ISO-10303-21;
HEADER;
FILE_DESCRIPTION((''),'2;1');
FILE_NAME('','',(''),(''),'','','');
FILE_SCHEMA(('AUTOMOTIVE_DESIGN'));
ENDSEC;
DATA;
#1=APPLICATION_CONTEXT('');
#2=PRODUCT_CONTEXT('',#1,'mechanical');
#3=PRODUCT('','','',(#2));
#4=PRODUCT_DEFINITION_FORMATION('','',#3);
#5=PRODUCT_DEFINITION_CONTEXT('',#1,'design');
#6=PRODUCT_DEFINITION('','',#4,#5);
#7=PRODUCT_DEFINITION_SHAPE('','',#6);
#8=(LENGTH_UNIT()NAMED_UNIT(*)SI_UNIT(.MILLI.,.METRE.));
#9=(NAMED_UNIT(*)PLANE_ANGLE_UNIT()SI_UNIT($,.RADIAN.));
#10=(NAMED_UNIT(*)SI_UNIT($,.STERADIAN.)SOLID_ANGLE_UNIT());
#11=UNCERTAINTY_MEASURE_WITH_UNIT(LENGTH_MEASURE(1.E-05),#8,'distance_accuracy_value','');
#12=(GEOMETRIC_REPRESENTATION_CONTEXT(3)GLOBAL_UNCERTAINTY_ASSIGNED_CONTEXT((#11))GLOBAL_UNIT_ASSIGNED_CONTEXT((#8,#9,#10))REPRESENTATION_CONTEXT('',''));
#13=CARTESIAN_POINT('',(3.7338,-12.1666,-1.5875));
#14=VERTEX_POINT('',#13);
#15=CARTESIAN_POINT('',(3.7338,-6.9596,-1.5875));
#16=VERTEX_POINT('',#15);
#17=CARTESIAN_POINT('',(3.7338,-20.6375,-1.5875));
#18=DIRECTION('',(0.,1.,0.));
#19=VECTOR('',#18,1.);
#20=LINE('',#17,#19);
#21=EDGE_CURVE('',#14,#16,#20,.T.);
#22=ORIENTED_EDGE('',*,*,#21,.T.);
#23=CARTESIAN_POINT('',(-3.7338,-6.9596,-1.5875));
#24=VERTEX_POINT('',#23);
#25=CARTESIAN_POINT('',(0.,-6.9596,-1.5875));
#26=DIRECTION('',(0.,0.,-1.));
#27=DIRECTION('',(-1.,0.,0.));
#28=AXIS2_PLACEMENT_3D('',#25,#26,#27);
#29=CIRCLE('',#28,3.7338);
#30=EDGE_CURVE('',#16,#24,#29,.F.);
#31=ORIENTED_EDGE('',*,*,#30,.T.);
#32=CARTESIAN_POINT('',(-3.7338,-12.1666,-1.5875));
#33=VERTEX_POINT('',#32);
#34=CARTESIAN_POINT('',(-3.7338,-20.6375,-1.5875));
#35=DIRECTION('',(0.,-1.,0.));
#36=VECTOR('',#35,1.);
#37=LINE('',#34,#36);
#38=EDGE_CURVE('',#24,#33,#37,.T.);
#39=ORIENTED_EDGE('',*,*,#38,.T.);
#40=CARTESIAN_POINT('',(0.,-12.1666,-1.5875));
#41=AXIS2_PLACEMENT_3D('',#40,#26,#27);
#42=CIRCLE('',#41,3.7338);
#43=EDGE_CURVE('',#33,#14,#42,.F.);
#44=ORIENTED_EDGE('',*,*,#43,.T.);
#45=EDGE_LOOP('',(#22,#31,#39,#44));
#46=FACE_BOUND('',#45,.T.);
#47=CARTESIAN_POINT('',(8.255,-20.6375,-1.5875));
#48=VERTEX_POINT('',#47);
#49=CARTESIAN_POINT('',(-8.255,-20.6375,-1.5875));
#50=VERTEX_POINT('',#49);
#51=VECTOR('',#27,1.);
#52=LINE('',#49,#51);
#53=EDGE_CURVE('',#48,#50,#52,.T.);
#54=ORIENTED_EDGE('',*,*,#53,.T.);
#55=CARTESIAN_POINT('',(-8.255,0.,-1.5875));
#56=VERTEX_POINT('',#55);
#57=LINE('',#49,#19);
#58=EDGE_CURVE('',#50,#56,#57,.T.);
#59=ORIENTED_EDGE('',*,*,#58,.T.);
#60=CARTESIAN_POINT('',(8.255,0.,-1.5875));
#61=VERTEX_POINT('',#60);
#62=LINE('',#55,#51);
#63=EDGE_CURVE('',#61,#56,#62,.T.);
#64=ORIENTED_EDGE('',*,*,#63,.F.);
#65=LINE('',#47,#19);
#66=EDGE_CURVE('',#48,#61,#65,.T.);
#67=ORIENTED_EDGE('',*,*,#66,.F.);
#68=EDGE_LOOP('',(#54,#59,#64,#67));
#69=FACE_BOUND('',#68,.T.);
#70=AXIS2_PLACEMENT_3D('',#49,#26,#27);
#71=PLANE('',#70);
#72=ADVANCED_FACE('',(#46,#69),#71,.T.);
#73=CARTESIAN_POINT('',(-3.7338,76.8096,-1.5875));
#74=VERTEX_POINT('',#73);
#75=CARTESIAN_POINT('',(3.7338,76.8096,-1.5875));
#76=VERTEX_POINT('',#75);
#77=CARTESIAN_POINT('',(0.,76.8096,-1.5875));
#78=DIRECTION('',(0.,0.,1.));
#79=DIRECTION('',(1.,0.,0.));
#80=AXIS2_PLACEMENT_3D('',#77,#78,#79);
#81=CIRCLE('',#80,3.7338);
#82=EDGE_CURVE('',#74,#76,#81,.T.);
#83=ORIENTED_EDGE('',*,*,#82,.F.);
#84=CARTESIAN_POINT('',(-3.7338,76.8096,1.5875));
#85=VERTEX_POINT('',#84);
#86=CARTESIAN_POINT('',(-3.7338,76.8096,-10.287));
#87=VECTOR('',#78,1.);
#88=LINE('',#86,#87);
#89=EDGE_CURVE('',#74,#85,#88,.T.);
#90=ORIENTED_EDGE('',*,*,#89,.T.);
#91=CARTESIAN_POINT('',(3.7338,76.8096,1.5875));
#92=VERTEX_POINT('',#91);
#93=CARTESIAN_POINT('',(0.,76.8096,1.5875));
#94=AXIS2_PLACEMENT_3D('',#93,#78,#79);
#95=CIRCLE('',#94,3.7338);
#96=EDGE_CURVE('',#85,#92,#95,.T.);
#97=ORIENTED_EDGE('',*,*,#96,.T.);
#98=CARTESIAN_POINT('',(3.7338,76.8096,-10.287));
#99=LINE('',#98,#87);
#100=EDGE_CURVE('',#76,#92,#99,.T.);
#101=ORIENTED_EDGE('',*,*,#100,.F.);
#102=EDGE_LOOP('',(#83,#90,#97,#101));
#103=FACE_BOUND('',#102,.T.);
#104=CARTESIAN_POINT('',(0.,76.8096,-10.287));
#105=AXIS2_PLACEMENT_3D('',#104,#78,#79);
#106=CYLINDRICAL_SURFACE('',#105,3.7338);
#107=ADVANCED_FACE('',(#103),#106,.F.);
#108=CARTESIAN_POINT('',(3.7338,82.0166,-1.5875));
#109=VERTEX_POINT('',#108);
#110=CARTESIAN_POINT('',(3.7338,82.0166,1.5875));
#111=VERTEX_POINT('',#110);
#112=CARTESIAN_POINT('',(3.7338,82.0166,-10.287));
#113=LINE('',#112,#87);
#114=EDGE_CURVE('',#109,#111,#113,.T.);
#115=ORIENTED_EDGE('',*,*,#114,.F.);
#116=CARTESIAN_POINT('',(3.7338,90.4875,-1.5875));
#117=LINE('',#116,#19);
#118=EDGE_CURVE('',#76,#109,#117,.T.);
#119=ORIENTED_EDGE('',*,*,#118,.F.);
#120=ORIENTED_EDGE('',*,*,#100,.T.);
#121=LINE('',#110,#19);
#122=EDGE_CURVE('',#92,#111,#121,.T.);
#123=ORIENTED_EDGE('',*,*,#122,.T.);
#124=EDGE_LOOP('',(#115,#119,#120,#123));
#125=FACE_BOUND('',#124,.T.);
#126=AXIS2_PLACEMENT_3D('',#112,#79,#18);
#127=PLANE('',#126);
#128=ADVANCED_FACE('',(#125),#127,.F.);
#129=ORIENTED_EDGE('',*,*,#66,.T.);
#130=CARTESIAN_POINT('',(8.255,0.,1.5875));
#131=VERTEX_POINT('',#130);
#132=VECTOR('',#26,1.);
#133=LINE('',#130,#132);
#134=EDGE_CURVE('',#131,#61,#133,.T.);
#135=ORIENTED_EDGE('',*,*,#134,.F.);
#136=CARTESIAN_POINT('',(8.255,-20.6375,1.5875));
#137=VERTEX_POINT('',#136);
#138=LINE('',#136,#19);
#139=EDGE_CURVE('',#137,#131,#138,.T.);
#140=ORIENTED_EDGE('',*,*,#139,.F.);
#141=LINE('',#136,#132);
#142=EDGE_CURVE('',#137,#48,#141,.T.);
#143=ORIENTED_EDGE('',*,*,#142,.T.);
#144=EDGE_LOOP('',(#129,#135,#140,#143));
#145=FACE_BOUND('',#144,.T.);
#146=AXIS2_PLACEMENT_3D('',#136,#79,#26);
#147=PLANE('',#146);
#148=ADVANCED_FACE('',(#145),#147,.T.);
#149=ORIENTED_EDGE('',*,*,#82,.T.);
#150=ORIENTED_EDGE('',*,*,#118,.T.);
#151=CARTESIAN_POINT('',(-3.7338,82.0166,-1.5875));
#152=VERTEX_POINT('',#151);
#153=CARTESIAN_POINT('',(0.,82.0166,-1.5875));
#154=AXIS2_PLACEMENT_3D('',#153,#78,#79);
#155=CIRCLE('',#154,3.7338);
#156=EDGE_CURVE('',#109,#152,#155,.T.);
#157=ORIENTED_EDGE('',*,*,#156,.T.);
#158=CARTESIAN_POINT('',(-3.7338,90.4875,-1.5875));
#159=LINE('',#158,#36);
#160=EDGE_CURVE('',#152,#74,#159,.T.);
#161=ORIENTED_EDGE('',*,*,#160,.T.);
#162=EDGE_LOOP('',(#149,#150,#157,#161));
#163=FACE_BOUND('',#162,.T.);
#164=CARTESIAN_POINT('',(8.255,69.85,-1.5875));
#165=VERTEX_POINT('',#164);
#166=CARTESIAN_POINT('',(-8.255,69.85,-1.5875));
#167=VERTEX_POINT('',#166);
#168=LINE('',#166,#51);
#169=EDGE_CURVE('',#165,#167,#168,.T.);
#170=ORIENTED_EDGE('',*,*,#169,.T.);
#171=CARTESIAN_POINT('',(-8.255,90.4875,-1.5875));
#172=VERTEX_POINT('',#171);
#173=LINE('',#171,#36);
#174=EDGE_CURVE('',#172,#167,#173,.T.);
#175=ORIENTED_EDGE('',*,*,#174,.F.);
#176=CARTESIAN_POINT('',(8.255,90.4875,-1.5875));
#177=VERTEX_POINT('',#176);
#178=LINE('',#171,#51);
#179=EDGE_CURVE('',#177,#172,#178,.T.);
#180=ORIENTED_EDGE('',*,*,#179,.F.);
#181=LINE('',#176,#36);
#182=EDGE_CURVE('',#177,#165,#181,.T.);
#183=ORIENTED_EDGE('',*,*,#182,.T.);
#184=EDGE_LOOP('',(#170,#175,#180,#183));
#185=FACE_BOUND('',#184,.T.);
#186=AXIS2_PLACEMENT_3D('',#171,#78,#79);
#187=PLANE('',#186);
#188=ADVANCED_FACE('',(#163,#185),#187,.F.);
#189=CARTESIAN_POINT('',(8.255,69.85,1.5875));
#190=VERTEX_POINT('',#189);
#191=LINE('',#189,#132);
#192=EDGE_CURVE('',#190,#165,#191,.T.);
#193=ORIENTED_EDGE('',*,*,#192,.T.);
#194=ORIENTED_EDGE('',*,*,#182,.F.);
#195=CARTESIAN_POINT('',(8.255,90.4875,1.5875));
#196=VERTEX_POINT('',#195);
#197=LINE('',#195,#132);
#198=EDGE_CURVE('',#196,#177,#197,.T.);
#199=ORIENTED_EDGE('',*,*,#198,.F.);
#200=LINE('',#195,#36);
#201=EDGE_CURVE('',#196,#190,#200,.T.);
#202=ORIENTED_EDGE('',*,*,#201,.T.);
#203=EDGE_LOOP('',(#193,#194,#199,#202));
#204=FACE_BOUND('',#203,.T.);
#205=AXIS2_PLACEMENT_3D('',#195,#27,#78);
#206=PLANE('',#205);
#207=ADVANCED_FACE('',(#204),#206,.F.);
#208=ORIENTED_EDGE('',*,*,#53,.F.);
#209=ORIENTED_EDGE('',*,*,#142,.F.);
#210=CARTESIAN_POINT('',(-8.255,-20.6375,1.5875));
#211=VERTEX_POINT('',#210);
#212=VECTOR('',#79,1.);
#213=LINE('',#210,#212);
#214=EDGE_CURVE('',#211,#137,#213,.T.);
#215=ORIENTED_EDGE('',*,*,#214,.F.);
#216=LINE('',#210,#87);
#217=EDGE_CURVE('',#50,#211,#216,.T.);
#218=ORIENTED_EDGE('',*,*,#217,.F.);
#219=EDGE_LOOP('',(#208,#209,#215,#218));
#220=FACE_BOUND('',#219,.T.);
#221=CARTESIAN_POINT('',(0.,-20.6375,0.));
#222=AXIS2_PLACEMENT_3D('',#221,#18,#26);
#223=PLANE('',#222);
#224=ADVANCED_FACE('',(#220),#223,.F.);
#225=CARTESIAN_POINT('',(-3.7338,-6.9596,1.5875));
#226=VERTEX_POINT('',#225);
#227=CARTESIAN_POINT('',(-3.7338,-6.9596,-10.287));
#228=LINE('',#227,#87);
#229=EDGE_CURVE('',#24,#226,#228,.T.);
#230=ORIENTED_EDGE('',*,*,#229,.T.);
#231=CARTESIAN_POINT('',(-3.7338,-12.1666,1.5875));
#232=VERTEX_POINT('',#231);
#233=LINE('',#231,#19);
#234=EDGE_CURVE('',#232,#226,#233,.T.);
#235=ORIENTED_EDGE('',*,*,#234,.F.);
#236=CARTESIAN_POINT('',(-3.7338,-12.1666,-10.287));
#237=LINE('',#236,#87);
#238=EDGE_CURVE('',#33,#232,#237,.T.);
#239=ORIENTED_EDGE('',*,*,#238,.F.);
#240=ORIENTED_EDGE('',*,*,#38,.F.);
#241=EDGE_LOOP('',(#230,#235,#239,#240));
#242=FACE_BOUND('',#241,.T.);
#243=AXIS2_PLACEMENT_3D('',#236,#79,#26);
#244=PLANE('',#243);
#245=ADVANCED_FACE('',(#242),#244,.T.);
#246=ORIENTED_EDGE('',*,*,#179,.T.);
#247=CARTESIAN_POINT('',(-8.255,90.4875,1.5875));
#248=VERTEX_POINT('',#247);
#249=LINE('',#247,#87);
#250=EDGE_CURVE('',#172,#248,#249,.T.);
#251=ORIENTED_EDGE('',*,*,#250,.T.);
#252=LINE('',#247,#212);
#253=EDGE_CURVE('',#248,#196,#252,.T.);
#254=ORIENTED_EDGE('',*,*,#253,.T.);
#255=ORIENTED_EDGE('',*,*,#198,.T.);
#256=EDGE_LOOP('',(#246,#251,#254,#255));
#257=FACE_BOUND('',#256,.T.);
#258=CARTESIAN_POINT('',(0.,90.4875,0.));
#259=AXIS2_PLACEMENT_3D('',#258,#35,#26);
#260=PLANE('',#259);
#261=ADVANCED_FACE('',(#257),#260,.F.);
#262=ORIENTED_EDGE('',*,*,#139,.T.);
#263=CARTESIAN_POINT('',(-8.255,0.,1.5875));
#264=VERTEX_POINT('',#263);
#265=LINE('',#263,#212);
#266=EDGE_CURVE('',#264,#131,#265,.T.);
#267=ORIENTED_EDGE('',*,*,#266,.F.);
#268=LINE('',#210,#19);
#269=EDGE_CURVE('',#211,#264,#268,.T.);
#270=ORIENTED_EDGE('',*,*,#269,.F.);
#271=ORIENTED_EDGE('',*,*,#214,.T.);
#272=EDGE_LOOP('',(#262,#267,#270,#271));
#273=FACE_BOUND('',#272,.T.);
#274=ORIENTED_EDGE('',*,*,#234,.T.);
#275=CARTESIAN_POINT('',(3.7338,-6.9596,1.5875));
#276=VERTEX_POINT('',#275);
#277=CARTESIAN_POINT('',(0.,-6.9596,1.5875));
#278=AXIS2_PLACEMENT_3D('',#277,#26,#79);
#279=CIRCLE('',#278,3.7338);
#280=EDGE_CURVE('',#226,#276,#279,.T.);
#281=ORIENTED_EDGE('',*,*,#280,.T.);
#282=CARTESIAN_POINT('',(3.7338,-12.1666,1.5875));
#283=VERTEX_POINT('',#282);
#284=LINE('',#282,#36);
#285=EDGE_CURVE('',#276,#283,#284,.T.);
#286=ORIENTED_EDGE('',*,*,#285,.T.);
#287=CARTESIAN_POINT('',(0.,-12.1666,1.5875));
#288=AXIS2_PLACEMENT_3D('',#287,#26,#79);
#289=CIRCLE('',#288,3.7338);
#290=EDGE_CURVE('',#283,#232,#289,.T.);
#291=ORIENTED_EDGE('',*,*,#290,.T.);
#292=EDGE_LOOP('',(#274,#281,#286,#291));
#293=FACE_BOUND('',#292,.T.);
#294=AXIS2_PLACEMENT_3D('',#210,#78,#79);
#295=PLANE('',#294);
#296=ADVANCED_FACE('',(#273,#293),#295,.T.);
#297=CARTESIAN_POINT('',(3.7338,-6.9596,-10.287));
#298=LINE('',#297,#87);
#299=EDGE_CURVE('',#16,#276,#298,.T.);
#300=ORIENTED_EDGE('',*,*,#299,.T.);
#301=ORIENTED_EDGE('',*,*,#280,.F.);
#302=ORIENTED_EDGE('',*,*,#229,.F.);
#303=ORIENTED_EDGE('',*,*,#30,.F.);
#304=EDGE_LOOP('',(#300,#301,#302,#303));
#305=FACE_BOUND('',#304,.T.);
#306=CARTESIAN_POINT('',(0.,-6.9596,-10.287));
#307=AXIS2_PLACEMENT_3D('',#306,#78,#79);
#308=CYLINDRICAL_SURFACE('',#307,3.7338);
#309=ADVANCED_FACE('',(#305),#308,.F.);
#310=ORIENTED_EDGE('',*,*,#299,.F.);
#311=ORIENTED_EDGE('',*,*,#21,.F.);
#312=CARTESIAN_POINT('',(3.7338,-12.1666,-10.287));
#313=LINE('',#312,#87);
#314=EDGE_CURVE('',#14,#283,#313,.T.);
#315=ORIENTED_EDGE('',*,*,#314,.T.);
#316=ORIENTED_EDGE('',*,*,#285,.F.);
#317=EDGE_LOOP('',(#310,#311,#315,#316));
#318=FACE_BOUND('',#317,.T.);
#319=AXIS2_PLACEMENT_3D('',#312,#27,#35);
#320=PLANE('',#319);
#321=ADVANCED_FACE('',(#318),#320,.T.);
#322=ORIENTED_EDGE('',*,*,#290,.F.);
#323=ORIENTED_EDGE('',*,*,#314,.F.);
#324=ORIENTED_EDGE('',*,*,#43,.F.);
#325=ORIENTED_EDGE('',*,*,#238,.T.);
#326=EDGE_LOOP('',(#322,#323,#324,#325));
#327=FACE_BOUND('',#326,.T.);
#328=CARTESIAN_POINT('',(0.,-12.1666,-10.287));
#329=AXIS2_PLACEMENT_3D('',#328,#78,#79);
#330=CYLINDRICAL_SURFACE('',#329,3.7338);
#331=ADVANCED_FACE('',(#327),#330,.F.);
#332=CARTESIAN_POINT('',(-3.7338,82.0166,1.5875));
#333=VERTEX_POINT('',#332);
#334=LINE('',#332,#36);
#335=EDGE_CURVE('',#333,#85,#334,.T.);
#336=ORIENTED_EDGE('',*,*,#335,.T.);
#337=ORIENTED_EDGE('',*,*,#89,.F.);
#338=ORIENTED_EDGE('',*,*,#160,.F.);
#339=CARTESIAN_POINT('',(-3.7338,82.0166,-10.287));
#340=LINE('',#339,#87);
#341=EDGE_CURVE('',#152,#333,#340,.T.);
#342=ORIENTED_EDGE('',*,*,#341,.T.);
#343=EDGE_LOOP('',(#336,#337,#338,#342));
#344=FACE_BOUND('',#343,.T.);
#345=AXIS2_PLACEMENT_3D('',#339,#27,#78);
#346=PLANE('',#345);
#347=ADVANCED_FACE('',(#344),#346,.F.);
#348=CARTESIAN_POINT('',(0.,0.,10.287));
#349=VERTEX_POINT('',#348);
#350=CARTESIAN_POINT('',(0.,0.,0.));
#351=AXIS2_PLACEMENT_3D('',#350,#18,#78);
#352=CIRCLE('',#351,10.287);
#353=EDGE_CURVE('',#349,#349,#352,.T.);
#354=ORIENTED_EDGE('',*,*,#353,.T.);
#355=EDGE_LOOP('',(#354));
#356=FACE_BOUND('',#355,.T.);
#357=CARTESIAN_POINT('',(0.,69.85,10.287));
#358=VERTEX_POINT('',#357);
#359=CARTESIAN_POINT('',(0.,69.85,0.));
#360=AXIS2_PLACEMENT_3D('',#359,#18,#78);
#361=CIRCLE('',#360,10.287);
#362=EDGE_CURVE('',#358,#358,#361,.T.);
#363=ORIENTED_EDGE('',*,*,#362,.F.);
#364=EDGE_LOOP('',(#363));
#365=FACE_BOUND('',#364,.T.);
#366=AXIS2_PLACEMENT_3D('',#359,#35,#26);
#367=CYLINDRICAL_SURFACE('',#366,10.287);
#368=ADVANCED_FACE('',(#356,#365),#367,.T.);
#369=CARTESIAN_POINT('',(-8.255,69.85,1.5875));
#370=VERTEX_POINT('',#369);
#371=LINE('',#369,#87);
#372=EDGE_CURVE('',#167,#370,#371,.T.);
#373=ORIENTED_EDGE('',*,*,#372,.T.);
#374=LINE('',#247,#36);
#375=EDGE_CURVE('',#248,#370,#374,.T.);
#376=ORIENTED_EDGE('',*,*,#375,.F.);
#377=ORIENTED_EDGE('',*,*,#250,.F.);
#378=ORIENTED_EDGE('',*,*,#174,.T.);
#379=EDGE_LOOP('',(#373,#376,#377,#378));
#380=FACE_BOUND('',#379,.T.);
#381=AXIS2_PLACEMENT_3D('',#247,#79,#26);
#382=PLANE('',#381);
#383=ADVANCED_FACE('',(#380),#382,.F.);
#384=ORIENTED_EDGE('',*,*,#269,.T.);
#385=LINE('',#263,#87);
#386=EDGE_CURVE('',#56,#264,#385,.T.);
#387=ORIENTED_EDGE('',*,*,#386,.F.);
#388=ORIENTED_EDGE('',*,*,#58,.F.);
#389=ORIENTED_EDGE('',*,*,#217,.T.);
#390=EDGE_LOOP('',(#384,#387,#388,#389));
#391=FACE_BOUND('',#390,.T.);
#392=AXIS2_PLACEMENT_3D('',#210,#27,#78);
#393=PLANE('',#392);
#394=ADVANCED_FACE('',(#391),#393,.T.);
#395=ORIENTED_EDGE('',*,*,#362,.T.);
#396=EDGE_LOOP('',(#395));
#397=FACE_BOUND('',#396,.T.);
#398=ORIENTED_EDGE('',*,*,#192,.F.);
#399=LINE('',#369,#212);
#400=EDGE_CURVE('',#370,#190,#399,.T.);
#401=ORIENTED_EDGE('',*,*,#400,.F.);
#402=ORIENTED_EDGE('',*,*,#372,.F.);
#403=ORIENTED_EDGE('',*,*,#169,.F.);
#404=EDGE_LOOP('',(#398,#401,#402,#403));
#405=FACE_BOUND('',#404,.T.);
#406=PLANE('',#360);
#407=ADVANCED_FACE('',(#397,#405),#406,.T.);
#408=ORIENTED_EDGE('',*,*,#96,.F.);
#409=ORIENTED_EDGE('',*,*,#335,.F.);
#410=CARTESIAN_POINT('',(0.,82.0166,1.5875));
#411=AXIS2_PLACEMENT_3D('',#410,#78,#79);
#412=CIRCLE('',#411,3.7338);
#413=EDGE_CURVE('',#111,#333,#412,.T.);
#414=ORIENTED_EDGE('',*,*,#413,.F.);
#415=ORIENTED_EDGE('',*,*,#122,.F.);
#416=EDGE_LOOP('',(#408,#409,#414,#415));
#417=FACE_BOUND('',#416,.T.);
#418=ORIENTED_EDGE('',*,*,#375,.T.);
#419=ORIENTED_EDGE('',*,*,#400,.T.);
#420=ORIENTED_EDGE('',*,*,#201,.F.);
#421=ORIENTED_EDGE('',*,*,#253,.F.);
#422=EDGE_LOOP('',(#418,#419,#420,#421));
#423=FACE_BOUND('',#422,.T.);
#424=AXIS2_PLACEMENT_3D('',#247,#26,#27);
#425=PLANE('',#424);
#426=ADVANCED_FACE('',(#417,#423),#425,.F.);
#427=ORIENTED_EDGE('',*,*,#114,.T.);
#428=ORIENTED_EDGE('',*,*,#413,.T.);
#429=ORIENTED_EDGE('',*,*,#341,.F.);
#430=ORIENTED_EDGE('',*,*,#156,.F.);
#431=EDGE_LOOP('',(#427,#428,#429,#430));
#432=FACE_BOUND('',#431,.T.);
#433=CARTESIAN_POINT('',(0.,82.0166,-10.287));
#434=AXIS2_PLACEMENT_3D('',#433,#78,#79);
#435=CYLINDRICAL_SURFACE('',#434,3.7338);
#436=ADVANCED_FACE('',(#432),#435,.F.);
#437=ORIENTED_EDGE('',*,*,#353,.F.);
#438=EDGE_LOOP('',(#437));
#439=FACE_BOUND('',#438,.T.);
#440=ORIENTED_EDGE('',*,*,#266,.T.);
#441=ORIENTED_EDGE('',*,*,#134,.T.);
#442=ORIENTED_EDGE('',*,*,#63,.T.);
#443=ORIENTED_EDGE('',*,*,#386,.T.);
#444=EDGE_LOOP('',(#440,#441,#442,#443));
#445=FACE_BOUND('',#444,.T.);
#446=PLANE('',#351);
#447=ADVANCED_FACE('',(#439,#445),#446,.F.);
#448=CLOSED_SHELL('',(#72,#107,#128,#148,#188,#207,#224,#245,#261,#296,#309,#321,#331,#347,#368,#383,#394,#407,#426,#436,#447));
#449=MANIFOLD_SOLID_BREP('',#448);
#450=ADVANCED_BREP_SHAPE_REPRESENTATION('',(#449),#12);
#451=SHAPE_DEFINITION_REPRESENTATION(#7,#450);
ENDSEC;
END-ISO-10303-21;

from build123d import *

# Parameters (mm, degrees)
SKETCH1_R           = 10.287
BOSS_EXTRUDE1_DEPTH = 69.85
SKETCH2_W           = 16.51
SKETCH2_H           = 3.175
BOSS_EXTRUDE2_DEPTH = 20.6375
CUT_EXTRUDE1_DEPTH  = 92.841242236


with BuildPart() as part:
    # Sketch1 → Boss-Extrude1 (new body)
    with BuildSketch(Plane(origin=(0, 0, 0), x_dir=(1, 0, 0), z_dir=(0, 1, 0))):
        with Locations(Location((0, 0, 0), (0, 0, 270))):
            Circle(SKETCH1_R)
    extrude(amount=BOSS_EXTRUDE1_DEPTH)

    # Sketch2 → Boss-Extrude2 (add)
    with BuildSketch(Plane(origin=(0, 69.85, 0), x_dir=(1, 0, 0), z_dir=(0, 1, 0))):
        Rectangle(SKETCH2_W, SKETCH2_H)
    boss_extrude2 = extrude(amount=BOSS_EXTRUDE2_DEPTH)

    # Sketch3 → Cut-Extrude1 (cut, through all)
    with BuildSketch(Plane.XY.offset(1.5875)):
        with BuildLine():
            Line((3.7338, 82.0166), (3.7338, 76.8096))
            ThreePointArc((3.7338, 76.8096), (0, 73.0758), (-3.7338, 76.8096))
            Line((-3.7338, 76.8096), (-3.7338, 82.0166))
            ThreePointArc((-3.7338, 82.0166), (0, 85.7504), (3.7338, 82.0166))
        make_face()
    cut_extrude1 = extrude(amount=-CUT_EXTRUDE1_DEPTH, mode=Mode.SUBTRACT)

    # Mirror2: Boss-Extrude2, Cut-Extrude1 across plane
    add(boss_extrude2.mirror(Plane.ZX.offset(34.925)))
    add(cut_extrude1.mirror(Plane.ZX.offset(34.925)), mode=Mode.SUBTRACT)


solid = part.part
